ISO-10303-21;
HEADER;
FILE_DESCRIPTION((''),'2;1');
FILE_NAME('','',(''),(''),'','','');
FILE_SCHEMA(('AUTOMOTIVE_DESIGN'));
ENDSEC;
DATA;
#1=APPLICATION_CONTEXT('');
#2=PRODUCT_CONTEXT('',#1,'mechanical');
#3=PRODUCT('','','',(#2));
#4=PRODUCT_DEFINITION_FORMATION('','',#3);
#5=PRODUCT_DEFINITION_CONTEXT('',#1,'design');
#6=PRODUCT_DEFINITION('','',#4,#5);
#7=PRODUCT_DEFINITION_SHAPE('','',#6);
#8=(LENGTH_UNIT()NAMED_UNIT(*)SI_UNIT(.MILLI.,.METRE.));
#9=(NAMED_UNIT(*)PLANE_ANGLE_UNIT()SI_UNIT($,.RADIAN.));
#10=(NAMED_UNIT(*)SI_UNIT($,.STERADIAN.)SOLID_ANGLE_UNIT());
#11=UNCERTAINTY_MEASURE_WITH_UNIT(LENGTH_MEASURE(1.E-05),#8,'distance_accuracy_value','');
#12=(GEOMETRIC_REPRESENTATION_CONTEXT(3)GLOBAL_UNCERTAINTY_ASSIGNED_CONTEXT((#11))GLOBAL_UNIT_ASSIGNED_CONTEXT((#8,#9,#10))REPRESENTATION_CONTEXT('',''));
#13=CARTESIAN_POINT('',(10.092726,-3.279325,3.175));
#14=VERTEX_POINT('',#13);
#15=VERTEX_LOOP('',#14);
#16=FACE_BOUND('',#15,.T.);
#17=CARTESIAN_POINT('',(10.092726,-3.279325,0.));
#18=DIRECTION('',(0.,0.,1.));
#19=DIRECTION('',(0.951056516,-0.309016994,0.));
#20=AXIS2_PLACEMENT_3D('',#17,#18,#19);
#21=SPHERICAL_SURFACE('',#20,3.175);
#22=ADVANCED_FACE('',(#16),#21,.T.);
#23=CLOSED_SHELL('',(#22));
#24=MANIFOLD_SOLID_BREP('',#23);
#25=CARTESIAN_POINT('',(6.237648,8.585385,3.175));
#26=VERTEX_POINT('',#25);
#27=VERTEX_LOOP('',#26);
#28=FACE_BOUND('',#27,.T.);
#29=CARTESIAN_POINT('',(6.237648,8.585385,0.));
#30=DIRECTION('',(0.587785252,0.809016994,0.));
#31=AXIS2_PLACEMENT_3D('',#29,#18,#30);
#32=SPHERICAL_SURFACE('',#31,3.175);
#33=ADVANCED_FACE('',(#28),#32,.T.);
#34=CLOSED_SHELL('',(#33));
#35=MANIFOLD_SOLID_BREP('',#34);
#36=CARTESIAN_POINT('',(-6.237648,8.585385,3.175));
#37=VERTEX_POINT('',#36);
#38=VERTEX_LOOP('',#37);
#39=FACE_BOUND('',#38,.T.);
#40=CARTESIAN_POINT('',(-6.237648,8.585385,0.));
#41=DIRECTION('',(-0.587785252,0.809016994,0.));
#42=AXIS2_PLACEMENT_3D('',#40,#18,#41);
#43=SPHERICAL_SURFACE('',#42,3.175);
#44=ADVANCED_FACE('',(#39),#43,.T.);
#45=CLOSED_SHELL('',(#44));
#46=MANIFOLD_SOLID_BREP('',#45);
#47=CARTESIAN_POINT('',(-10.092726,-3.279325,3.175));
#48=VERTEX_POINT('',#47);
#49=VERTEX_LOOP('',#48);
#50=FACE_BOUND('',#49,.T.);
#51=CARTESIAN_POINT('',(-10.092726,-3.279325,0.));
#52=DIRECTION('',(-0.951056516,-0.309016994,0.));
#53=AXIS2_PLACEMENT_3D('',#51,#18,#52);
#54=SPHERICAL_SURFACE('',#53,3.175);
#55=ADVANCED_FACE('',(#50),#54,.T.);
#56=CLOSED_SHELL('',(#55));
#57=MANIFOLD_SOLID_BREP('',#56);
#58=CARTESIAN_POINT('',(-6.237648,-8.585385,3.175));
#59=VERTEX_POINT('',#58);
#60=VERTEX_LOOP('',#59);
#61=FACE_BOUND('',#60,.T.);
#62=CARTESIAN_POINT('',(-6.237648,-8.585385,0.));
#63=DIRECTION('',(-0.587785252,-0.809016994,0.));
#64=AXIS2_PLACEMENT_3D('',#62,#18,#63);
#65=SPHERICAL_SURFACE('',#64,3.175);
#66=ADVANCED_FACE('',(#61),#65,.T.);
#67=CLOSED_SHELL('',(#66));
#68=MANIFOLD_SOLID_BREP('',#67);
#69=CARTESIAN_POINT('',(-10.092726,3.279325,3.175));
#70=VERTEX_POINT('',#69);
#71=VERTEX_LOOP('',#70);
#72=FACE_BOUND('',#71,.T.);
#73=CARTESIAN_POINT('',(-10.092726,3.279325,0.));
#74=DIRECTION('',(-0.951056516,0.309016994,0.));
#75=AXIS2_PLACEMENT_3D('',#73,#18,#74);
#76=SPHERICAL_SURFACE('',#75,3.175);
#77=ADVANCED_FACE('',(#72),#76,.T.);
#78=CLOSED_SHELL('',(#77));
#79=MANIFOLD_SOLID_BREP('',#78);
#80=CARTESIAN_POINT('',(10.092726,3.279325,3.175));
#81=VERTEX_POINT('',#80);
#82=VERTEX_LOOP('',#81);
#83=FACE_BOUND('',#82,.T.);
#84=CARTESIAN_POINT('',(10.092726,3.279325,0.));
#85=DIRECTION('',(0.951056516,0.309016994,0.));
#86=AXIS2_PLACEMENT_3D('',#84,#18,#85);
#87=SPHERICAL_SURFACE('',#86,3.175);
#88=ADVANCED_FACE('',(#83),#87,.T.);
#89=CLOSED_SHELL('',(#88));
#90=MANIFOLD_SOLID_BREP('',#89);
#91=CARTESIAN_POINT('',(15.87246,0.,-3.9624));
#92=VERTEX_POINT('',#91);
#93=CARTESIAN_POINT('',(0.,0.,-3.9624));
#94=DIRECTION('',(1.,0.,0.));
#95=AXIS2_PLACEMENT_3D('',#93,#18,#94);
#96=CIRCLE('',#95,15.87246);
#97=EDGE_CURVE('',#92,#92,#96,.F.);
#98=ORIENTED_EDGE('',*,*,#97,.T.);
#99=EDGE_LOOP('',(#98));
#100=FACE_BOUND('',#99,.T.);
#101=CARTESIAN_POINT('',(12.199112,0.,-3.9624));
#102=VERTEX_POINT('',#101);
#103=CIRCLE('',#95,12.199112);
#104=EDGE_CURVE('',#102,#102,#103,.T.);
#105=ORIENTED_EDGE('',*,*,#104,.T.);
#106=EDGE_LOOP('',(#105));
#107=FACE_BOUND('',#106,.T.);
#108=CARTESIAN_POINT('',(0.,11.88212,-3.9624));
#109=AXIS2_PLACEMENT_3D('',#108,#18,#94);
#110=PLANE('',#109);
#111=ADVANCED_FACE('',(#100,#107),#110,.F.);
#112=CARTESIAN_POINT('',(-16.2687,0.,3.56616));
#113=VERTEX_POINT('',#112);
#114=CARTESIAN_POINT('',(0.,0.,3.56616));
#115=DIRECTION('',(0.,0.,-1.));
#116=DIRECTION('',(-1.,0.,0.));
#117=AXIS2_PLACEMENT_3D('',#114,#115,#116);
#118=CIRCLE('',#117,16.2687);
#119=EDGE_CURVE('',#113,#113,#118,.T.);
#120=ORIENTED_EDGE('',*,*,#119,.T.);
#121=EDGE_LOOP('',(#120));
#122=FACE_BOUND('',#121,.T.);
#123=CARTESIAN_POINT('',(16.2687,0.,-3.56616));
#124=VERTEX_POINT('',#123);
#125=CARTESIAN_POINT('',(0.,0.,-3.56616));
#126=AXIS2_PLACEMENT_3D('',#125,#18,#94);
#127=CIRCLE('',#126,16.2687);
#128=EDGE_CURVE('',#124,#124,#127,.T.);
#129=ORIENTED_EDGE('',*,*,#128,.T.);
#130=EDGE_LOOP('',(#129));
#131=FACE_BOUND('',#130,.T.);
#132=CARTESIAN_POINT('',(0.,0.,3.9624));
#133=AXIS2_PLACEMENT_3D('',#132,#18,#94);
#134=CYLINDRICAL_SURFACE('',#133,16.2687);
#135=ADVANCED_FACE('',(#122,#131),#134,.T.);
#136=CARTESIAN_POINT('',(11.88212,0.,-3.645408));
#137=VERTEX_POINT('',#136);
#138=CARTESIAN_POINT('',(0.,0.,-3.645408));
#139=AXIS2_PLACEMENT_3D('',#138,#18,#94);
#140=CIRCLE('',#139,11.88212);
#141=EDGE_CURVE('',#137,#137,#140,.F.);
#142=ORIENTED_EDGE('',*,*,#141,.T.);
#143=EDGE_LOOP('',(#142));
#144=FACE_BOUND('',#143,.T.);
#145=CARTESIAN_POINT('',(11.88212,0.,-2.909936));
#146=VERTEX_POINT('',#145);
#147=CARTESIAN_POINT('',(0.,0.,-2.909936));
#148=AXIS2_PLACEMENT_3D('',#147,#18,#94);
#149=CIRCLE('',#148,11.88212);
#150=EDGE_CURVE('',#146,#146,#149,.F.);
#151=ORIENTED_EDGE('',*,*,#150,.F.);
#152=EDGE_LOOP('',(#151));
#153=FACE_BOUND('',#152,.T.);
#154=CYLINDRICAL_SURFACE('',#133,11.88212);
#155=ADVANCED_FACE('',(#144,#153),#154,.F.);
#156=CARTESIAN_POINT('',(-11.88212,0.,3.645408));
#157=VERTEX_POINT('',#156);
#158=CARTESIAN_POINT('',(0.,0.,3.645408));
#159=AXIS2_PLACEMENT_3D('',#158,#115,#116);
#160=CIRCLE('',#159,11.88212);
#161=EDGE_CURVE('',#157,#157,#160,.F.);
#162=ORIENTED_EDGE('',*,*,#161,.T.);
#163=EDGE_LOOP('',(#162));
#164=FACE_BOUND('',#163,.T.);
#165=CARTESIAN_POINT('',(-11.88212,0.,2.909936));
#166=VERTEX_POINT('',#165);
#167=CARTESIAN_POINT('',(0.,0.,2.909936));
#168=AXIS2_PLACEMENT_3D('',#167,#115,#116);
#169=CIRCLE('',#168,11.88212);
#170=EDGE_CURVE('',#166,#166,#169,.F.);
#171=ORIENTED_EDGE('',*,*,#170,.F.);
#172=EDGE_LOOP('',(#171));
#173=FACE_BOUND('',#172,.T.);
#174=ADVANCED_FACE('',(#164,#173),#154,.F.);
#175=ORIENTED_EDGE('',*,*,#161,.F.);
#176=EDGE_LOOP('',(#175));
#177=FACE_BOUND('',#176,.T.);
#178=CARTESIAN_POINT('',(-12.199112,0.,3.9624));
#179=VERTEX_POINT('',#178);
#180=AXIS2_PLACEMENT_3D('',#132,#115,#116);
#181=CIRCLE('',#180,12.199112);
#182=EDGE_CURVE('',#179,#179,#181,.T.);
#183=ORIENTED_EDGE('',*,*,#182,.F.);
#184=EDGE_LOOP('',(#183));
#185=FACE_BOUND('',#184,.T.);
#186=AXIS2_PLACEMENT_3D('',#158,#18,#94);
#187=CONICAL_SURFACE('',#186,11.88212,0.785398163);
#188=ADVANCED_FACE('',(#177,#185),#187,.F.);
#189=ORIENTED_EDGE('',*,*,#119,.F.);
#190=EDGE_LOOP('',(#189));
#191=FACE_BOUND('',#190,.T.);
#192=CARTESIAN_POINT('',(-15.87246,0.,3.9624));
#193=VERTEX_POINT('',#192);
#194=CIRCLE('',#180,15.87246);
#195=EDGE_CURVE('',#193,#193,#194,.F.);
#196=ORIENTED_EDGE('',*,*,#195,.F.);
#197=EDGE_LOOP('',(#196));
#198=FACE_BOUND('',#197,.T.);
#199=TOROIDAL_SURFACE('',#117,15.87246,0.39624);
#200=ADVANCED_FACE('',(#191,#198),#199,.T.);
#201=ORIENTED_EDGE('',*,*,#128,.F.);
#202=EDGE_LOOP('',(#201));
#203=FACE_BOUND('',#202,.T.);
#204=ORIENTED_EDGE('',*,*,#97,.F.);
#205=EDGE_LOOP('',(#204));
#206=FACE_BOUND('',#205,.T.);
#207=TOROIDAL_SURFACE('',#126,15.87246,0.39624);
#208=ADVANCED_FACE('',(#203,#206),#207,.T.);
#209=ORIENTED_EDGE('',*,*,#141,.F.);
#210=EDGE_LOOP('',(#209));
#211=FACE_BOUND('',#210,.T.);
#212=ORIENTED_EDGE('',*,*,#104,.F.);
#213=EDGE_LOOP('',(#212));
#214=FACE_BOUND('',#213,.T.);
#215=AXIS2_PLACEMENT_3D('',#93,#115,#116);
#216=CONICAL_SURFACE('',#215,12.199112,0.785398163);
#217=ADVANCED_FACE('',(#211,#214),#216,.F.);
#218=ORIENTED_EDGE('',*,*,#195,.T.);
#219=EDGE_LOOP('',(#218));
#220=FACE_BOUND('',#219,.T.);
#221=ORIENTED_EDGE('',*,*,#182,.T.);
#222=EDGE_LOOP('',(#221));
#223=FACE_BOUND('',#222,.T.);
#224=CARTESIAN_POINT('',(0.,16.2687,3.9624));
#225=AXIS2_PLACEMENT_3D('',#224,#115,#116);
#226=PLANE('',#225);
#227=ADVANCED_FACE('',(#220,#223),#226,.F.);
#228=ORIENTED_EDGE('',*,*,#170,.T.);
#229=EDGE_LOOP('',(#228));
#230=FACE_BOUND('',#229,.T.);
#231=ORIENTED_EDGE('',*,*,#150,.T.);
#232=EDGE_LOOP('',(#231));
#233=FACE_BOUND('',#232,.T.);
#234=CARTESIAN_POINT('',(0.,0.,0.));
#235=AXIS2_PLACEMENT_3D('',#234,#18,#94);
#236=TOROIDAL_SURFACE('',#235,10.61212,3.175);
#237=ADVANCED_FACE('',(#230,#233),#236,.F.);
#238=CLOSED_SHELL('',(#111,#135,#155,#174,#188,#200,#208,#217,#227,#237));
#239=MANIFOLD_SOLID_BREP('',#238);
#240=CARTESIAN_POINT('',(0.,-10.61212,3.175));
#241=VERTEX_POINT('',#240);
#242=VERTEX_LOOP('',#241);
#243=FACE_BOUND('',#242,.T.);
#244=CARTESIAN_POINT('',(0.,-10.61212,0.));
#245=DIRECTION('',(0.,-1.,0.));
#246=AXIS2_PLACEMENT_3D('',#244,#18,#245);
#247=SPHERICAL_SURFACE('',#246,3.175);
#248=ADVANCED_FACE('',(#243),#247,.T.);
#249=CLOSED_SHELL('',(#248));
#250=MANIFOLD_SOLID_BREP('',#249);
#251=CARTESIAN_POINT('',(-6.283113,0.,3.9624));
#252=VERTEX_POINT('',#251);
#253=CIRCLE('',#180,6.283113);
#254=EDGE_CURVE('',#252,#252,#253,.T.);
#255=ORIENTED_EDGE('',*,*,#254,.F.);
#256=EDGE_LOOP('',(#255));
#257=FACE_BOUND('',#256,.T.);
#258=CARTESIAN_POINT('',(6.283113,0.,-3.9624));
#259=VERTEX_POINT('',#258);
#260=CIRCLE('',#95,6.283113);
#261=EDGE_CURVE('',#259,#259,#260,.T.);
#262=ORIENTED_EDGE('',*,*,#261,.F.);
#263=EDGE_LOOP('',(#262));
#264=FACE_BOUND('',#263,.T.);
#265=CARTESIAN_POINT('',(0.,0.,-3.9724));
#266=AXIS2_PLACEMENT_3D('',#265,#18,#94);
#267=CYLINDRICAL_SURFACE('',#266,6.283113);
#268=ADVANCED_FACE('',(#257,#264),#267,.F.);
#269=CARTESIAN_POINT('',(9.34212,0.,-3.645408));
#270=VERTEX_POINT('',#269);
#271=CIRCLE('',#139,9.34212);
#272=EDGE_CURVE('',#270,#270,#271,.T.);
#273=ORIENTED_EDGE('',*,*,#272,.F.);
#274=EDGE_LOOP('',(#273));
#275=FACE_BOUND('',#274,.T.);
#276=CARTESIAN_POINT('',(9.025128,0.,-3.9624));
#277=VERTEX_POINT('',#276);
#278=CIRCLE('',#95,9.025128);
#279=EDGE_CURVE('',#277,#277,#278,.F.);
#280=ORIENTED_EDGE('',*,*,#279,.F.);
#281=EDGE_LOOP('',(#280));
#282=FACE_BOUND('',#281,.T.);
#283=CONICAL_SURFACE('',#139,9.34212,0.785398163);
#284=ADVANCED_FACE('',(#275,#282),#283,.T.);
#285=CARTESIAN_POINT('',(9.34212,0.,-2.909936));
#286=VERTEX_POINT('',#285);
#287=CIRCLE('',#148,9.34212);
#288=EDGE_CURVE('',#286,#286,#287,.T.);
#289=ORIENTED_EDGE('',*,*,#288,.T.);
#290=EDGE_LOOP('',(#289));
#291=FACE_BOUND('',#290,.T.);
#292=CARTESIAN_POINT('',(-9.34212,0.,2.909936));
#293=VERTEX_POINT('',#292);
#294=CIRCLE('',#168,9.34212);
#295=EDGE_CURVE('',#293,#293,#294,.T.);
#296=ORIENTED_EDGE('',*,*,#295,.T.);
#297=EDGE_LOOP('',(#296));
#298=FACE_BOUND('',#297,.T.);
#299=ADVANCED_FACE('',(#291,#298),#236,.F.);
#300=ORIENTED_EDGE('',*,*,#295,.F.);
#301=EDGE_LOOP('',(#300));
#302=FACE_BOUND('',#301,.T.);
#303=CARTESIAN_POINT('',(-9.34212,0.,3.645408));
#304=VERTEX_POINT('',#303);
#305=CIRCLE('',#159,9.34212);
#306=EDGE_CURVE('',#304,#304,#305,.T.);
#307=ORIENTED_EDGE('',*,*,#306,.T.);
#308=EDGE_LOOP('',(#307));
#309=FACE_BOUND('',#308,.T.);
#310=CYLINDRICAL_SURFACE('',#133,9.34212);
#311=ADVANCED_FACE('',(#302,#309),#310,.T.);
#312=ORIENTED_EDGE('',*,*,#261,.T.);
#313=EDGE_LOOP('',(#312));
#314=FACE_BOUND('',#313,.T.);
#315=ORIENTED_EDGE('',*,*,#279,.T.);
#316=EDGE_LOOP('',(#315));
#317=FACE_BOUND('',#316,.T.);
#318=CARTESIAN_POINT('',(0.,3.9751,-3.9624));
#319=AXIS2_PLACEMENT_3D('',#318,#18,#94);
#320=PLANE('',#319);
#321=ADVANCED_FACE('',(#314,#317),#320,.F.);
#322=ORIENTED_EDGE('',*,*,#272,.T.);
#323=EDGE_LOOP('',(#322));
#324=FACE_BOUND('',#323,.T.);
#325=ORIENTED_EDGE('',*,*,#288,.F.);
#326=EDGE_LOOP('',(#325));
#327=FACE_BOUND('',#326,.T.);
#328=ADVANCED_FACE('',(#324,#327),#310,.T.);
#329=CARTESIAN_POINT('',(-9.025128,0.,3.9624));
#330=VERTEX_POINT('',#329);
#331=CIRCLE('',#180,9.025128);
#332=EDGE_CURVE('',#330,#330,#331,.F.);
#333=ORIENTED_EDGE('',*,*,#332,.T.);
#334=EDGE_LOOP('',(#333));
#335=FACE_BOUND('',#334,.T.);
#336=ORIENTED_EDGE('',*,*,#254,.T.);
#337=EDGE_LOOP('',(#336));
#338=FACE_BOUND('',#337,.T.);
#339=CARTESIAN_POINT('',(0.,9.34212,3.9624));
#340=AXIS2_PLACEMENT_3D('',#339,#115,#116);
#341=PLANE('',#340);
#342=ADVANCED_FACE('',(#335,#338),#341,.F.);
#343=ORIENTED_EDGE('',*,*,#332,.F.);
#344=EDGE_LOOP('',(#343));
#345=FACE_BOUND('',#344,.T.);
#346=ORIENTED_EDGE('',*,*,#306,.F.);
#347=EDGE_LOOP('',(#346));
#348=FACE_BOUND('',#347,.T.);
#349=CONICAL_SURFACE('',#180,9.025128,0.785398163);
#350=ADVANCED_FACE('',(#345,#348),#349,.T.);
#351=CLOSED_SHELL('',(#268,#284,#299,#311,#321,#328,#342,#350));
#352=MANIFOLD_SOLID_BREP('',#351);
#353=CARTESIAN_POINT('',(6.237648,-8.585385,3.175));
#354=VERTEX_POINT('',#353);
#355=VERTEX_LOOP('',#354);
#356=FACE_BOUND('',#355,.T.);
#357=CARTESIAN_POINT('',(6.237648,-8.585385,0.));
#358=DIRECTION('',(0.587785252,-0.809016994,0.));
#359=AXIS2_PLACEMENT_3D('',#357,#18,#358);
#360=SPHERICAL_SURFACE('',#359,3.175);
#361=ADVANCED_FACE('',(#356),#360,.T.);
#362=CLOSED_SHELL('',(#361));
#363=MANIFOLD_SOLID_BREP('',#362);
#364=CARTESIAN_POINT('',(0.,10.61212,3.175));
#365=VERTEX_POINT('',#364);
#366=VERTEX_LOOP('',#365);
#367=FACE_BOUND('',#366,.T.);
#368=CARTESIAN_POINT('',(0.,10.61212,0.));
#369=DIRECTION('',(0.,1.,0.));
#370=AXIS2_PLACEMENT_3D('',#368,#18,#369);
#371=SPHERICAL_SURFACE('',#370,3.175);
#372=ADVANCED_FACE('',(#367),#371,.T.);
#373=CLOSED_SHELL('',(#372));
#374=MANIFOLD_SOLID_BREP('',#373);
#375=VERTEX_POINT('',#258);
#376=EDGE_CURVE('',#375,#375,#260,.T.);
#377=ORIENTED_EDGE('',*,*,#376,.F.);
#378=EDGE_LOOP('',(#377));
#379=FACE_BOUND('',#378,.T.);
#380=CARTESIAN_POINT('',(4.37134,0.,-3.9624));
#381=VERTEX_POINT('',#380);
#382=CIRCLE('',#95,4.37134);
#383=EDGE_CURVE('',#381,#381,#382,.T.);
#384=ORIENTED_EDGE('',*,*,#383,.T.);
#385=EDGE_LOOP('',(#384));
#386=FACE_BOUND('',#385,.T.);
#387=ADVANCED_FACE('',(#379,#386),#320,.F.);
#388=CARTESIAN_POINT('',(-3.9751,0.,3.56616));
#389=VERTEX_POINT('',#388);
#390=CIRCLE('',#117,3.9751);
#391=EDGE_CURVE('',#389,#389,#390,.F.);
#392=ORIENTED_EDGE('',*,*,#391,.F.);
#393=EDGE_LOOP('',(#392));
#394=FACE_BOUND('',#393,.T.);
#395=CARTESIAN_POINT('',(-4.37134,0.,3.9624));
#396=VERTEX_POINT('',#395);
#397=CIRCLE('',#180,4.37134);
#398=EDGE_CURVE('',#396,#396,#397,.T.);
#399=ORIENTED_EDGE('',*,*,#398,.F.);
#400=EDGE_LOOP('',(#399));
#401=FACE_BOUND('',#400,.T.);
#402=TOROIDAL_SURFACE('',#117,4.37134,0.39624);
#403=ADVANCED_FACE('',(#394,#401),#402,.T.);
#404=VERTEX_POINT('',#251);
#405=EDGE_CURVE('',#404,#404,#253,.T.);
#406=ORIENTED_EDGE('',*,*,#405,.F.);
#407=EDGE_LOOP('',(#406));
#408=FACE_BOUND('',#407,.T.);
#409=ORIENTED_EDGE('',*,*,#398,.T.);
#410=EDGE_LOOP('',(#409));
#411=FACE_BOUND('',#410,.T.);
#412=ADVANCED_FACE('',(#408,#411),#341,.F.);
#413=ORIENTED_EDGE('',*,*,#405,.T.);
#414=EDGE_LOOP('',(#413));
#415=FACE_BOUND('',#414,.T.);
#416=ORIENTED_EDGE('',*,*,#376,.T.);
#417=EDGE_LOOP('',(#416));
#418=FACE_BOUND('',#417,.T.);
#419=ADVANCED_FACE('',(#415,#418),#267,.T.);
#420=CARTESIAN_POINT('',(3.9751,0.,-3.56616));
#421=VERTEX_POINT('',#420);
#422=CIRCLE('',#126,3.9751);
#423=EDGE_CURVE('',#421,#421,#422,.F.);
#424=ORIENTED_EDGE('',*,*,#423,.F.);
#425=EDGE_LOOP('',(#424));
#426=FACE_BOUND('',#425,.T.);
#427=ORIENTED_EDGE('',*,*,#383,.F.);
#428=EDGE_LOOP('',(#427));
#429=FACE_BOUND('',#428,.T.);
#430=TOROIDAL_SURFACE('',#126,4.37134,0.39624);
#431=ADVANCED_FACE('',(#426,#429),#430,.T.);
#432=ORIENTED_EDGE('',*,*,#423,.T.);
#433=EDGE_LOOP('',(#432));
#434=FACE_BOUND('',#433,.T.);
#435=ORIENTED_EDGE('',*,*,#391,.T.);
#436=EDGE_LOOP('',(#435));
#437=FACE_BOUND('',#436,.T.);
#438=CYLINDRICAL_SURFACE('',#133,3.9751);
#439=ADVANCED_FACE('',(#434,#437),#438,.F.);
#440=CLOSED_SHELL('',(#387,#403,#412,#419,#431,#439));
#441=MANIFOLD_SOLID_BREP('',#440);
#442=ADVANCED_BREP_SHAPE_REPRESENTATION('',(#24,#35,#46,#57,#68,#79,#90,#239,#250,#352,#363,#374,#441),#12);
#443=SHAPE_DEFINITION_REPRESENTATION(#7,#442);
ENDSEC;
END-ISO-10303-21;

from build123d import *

# Parameters (mm, degrees)
SKETCH3_W              = 7.9248
SKETCH3_H              = 5.36702
SKETCH3_H_2            = 4.38658
SKETCH4_R              = 3.175
CIRPATTERN1_COUNT      = 10
FILLET1_R              = 0.39624
FILLET2_R              = 0.39624
CHAMFER1_SIZE          = 0.316992
CHAMFER2_SIZE          = 0.316992
SPLIT1_SURFACE_1_BACK  = 47.692
SPLIT1_SURFACE_1_DEPTH = 95.384
SPLIT1_SURFACE_2_BACK  = 47.692
SPLIT1_SURFACE_2_DEPTH = 95.384


with BuildPart() as part:
    # Sketch3 → Revolve2 (revolve)
    with BuildSketch(Plane(origin=(0, 0, 0), x_dir=(0, 0, -1), z_dir=(1, 0, 0)), mode=Mode.PRIVATE) as revolve2_sk:
        with Locations((0, 6.65861)):
            Rectangle(SKETCH3_W, SKETCH3_H)
        with Locations((0, 14.07541)):
            Rectangle(SKETCH3_W, SKETCH3_H_2)
    revolve(revolve2_sk.sketch.rotate(Axis((0, 0, 3.9624), (0, 0, -1)), 90), axis=Axis((0, 0, 3.9624), (0, 0, -1)))

    # Sketch4 → Cut-Revolve1 (revolve, cut)
    with BuildSketch(Plane(origin=(0, 0, 0), x_dir=(0, 0, -1), z_dir=(1, 0, 0)), mode=Mode.PRIVATE) as cut_revolve1_sk:
        with Locations((0, 10.61212)):
            Circle(SKETCH4_R)
    revolve(cut_revolve1_sk.sketch.rotate(Axis((0, 0, 3.9624), (0, 0, -1)), 90), axis=Axis((0, 0, 3.9624), (0, 0, -1)), mode=Mode.SUBTRACT)

    # Fillet1
    fillet1_edges = [part.edges().sort_by_distance(p)[0] for p in [
        (-16.2687, 0, -3.9624),
        (-16.2687, 0, 3.9624),
    ]]
    fillet(fillet1_edges, radius=FILLET1_R)

    # Fillet2
    fillet2_edges = [part.edges().sort_by_distance(p)[0] for p in [
        (-3.9751, 0, 3.9624),
        (-3.9751, 0, -3.9624),
    ]]
    fillet(fillet2_edges, radius=FILLET2_R)

    # Chamfer1
    chamfer1_edges = [part.edges().sort_by_distance(p)[0] for p in [
        (-11.88212, 0, -3.9624),
        (-11.88212, 0, 3.9624),
    ]]
    chamfer(chamfer1_edges, length=CHAMFER1_SIZE)

    # Chamfer2
    chamfer2_edges = [part.edges().sort_by_distance(p)[0] for p in [
        (-9.34212, 0, 3.9624),
        (-9.34212, 0, -3.9624),
    ]]
    chamfer(chamfer2_edges, length=CHAMFER2_SIZE)


with BuildPart() as body_2:
    # Sketch5 → Revolve3 (revolve)
    with BuildSketch(Plane(origin=(0, 0, 0), x_dir=(0, 0, -1), z_dir=(1, 0, 0))):
        with BuildLine():
            Line((-3.175, 10.61212), (3.175, 10.61212))
            ThreePointArc((3.175, 10.61212), (0, 13.78712), (-3.175, 10.61212))
        make_face()
    revolve(axis=Axis((0, 10.61212, 3.175), (0, 0, -1)))


with BuildPart() as cirpattern1_1:
    # CirPattern1: pattern copy
    add(body_2.part.rotate(Axis((0, 0, 0), (0, 0, 1)), 1 * 360 / CIRPATTERN1_COUNT))


with BuildPart() as cirpattern1_2:
    # CirPattern1: pattern copy
    add(body_2.part.rotate(Axis((0, 0, 0), (0, 0, 1)), 2 * 360 / CIRPATTERN1_COUNT))


with BuildPart() as cirpattern1_3:
    # CirPattern1: pattern copy
    add(body_2.part.rotate(Axis((0, 0, 0), (0, 0, 1)), 3 * 360 / CIRPATTERN1_COUNT))


with BuildPart() as cirpattern1_4:
    # CirPattern1: pattern copy
    add(body_2.part.rotate(Axis((0, 0, 0), (0, 0, 1)), 4 * 360 / CIRPATTERN1_COUNT))


with BuildPart() as cirpattern1_5:
    # CirPattern1: pattern copy
    add(body_2.part.rotate(Axis((0, 0, 0), (0, 0, 1)), 5 * 360 / CIRPATTERN1_COUNT))


with BuildPart() as cirpattern1_6:
    # CirPattern1: pattern copy
    add(body_2.part.rotate(Axis((0, 0, 0), (0, 0, 1)), 6 * 360 / CIRPATTERN1_COUNT))


with BuildPart() as cirpattern1_7:
    # CirPattern1: pattern copy
    add(body_2.part.rotate(Axis((0, 0, 0), (0, 0, 1)), 7 * 360 / CIRPATTERN1_COUNT))


with BuildPart() as cirpattern1_8:
    # CirPattern1: pattern copy
    add(body_2.part.rotate(Axis((0, 0, 0), (0, 0, 1)), 8 * 360 / CIRPATTERN1_COUNT))


with BuildPart() as cirpattern1_9:
    # CirPattern1: pattern copy
    add(body_2.part.rotate(Axis((0, 0, 0), (0, 0, 1)), 9 * 360 / CIRPATTERN1_COUNT))


with BuildPart() as body_12:
    # Split1: the piece behind the surface
    add(part.part)
    # Split1 surface: a surface, the sketch's curves swept straight by 95.384 mm
    with BuildLine(Plane.XY.offset(-SPLIT1_SURFACE_1_BACK), mode=Mode.PRIVATE) as split1_surface_1_path:
        CenterArc((0, 0), 6.283113333, 0, 360)
    split1_surface_1 = Shell.extrude(split1_surface_1_path.wire(), (0 * SPLIT1_SURFACE_1_DEPTH, 0 * SPLIT1_SURFACE_1_DEPTH, 1 * SPLIT1_SURFACE_1_DEPTH))
    split(bisect_by=split1_surface_1, keep=Keep.BOTTOM)


with BuildPart() as part_1:
    add(part.part)

    # Split1: split by a surface, the side it looks to stays
    # Split1 surface: a surface, the sketch's curves swept straight by 95.384 mm
    with BuildLine(Plane.XY.offset(-SPLIT1_SURFACE_2_BACK), mode=Mode.PRIVATE) as split1_surface_2_path:
        CenterArc((0, 0), 6.283113333, 0, 360)
    split1_surface_2 = Shell.extrude(split1_surface_2_path.wire(), (0 * SPLIT1_SURFACE_2_DEPTH, 0 * SPLIT1_SURFACE_2_DEPTH, 1 * SPLIT1_SURFACE_2_DEPTH))
    split(bisect_by=split1_surface_2, keep=Keep.TOP)


solid = Compound([body_2.part, cirpattern1_1.part, cirpattern1_2.part, cirpattern1_3.part, cirpattern1_4.part, cirpattern1_5.part, cirpattern1_6.part, cirpattern1_7.part, cirpattern1_8.part, cirpattern1_9.part, body_12.part, part_1.part])
